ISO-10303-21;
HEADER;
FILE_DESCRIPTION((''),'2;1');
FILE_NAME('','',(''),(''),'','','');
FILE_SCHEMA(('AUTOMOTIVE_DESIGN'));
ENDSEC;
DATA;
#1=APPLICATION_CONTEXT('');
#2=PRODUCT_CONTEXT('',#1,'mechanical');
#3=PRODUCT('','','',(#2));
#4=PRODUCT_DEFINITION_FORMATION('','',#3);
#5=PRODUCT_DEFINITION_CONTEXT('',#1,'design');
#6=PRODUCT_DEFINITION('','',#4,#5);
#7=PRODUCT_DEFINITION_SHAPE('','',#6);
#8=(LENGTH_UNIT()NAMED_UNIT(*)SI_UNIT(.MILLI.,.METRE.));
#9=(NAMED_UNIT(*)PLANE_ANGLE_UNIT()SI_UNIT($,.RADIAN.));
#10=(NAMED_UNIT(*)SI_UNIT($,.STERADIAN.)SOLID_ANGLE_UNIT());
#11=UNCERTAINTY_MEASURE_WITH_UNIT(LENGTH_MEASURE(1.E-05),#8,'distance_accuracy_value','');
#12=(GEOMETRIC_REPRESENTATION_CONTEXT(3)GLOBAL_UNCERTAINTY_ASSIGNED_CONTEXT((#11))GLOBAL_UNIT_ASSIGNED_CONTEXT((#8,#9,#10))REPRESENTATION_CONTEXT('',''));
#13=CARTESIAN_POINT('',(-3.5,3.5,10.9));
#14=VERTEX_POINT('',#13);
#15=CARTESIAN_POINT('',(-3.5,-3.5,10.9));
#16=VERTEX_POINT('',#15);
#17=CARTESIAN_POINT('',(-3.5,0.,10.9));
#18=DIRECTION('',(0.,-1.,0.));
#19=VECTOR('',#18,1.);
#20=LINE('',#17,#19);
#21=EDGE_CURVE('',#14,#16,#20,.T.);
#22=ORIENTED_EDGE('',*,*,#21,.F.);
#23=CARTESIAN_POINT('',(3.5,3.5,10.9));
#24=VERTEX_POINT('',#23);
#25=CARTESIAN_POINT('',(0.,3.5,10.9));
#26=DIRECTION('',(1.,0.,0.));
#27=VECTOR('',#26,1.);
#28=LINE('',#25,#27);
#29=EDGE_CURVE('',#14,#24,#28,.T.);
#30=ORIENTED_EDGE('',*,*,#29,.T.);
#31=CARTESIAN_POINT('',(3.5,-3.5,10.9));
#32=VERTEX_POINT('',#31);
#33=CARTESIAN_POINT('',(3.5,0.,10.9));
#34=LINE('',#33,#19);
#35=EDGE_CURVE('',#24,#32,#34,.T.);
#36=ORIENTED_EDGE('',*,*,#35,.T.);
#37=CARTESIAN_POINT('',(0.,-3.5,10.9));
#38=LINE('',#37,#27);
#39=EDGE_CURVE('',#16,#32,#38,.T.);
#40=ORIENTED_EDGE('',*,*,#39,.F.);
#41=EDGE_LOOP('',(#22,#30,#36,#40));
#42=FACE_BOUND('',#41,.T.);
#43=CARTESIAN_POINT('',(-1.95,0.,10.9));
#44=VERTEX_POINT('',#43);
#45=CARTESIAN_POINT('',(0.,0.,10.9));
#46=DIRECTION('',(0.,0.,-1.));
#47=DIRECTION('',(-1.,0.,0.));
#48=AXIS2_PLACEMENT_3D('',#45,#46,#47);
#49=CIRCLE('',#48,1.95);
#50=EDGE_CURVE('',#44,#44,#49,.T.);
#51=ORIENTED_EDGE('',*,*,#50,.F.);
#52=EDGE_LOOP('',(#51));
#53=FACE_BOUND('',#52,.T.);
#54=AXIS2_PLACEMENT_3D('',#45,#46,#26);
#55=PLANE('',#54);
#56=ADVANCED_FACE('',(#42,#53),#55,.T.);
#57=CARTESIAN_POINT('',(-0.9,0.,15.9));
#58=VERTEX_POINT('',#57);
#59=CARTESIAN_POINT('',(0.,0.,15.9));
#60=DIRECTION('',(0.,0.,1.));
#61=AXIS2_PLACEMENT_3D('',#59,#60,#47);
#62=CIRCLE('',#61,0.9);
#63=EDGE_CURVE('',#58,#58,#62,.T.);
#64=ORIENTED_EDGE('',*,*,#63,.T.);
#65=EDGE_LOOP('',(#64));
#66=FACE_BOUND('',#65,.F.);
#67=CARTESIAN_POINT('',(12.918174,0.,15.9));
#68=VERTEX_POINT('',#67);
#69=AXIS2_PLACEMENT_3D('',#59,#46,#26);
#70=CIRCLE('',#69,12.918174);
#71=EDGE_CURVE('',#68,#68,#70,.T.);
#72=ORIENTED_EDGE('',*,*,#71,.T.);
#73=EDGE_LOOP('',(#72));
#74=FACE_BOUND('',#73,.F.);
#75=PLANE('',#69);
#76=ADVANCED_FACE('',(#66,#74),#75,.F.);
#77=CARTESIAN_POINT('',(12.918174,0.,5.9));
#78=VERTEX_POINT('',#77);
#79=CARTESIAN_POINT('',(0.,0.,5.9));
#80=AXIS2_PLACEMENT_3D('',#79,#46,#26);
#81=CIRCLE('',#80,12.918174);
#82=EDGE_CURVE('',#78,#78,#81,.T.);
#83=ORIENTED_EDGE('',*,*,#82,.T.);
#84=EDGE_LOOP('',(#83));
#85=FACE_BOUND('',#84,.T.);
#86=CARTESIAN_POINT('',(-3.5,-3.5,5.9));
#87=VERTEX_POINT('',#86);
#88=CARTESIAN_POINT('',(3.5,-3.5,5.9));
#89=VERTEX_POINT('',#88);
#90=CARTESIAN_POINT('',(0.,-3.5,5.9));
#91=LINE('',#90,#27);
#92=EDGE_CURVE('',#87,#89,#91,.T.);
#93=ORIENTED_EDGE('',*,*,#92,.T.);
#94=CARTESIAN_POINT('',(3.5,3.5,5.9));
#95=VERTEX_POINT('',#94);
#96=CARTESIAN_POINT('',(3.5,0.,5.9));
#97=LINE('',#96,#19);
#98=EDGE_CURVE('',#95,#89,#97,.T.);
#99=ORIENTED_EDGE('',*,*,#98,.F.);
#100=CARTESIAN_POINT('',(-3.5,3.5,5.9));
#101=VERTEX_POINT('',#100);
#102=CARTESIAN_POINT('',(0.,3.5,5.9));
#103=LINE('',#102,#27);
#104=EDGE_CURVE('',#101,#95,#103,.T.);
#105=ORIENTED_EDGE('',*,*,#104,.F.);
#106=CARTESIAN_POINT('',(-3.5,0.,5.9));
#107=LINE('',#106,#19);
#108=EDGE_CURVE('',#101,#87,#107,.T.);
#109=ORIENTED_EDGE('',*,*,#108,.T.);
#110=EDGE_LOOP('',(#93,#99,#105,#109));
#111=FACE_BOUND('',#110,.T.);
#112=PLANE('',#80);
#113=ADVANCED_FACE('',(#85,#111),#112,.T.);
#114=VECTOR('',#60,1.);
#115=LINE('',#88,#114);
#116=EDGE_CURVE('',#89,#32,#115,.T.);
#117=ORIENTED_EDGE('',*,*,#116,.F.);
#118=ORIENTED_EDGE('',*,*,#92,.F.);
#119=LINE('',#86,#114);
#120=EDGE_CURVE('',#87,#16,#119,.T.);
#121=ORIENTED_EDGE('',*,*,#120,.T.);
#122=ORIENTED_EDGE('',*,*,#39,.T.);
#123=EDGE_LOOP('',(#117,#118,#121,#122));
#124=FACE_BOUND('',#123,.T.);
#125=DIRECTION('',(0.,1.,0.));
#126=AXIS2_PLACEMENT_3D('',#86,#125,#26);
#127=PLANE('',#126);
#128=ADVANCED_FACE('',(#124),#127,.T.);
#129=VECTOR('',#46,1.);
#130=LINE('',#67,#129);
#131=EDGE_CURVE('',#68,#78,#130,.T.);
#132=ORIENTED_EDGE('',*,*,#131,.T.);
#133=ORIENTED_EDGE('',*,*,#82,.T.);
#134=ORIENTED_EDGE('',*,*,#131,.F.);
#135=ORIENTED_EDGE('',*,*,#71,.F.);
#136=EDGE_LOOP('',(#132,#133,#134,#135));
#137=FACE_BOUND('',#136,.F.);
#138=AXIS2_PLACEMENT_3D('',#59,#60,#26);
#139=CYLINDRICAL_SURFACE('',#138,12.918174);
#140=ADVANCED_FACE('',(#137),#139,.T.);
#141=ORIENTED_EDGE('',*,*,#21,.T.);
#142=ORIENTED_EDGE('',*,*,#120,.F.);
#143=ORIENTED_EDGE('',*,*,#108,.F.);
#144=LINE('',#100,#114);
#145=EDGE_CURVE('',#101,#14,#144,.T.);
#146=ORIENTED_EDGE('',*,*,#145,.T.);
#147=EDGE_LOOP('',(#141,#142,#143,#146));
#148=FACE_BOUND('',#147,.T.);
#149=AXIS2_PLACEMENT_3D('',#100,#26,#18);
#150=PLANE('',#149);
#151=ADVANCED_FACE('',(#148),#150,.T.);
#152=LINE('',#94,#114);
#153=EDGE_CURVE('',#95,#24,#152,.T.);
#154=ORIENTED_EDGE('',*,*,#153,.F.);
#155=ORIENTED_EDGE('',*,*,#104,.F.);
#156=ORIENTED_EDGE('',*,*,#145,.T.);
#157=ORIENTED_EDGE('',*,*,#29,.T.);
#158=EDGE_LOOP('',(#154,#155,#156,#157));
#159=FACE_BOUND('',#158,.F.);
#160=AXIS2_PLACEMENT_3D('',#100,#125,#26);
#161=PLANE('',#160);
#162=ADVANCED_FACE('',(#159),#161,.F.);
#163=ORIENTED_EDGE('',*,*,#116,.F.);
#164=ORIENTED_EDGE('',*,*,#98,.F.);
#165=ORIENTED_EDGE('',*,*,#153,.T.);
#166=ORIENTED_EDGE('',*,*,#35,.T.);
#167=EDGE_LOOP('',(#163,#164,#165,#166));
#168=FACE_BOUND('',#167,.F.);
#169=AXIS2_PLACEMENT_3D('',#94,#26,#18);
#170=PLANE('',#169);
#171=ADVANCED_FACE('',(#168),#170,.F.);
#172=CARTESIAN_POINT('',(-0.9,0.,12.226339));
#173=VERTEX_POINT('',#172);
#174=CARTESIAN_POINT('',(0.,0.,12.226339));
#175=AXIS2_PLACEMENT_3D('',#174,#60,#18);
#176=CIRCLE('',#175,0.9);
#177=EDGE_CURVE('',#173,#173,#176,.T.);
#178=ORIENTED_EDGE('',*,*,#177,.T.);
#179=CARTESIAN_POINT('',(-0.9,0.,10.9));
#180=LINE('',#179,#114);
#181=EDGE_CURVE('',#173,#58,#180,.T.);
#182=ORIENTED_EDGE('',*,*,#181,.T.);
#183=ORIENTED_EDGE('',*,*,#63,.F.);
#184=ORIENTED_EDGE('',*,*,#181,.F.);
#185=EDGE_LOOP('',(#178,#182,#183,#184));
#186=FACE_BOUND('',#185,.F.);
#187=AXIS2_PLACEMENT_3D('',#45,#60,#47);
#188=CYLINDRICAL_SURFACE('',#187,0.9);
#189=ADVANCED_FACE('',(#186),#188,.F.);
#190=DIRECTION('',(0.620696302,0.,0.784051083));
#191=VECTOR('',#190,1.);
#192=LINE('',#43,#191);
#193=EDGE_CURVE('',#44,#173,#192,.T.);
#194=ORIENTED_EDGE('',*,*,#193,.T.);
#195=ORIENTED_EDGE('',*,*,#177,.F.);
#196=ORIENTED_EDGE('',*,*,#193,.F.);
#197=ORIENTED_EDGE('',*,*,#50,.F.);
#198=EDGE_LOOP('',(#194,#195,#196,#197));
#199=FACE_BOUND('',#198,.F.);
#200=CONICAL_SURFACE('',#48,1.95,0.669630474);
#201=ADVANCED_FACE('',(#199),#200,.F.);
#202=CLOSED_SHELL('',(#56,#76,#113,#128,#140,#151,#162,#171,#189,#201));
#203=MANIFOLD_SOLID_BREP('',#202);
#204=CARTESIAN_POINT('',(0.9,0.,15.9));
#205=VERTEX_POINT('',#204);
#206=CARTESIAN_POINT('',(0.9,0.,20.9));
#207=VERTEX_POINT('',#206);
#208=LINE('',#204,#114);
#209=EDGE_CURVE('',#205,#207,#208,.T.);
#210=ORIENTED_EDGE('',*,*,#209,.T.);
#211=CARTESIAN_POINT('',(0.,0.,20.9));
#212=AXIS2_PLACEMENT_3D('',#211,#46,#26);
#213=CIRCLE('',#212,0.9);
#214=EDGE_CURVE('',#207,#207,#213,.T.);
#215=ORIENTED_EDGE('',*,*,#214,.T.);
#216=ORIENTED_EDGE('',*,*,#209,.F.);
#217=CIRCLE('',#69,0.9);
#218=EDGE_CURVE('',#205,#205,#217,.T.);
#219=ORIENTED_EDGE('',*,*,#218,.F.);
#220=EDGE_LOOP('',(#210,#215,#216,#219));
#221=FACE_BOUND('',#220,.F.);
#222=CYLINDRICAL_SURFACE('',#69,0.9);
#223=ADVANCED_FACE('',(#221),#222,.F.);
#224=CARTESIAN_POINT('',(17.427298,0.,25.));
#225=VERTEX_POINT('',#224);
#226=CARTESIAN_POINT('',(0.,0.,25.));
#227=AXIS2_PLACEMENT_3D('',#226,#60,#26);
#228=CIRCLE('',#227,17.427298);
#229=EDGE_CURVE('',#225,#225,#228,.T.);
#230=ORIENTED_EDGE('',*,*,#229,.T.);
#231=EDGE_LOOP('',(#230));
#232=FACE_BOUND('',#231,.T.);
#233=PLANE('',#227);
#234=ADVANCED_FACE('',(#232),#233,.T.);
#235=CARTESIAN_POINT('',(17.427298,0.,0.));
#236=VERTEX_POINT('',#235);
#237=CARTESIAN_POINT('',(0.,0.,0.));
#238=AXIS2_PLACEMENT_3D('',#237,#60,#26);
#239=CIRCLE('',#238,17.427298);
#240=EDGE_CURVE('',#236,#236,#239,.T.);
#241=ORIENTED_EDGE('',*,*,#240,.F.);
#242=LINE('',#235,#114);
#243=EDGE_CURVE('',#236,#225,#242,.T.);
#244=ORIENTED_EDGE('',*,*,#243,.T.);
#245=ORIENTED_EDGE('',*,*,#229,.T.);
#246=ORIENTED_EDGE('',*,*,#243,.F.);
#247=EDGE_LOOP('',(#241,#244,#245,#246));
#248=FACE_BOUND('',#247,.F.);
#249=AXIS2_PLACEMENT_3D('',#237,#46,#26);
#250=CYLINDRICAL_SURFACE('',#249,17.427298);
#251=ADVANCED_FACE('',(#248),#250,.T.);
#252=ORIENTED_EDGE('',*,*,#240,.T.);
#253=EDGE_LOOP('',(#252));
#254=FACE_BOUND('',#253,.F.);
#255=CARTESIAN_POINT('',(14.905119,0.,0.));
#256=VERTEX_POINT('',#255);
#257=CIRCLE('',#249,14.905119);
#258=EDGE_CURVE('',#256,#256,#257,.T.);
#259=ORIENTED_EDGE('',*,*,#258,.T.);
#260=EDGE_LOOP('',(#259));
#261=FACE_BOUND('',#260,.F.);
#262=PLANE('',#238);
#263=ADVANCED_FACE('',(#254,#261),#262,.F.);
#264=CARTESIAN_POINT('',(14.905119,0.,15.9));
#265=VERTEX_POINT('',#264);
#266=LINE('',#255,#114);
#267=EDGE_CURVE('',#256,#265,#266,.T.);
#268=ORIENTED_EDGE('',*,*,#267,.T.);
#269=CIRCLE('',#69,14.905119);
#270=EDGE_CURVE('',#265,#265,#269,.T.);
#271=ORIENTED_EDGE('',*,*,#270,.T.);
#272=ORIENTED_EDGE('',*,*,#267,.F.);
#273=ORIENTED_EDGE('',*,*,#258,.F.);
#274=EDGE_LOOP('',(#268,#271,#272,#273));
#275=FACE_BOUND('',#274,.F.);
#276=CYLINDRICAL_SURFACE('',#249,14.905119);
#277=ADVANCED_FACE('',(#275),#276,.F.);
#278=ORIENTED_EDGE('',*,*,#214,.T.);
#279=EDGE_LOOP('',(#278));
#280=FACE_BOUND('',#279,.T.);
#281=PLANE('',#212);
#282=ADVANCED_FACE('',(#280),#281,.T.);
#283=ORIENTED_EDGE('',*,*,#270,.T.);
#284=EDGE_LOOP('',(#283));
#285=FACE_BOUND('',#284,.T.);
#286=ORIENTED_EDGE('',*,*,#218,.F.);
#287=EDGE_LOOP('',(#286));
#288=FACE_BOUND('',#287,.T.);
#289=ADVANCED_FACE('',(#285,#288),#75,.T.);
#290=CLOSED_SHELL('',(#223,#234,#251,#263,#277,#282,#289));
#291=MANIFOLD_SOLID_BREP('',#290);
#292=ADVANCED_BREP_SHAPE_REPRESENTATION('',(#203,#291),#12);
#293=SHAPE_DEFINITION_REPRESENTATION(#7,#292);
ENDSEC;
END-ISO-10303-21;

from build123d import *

# Parameters (mm, degrees)
F0_R            = 17.4272984751
F1_DEPTH        = 25
F2_R            = 14.9051186422
F3_DEPTH        = 15.9
F4_R            = 0.9
F5_DEPTH        = 5
F6_R            = 12.9181741615
F7_DEPTH        = 10
F9_W            = 7
F9_H            = 7
F10_DEPTH       = 5
F11_D           = 1.8
F11_DEPTH       = 5
F11_START       = 5
F11_CSINK_D     = 3.9
F11_CSINK_ANGLE = 76.734
F11_TIP         = 0.5407745571


with BuildPart() as f1:
    # F0 (on Top) → F1 (new body)
    with BuildSketch(Plane.XY):
        Circle(F0_R)
    extrude(amount=F1_DEPTH)

    # F2 (on face) → F3 (cut)
    with BuildSketch(Plane(origin=(0, 0, 0), x_dir=(1, 0, 0), z_dir=(0, 0, -1))):
        Circle(F2_R)
    extrude(amount=-F3_DEPTH, mode=Mode.SUBTRACT)

    # F4 (on face) → F5 (cut)
    with BuildSketch(Plane(origin=(0, 0, 15.9), x_dir=(1, 0, 0), z_dir=(0, 0, -1))):
        Circle(F4_R)
    extrude(amount=-F5_DEPTH, mode=Mode.SUBTRACT)


with BuildPart() as f7:
    # F6 (on face) → F7 (new body)
    with BuildSketch(Plane(origin=(0, 0, 15.9), x_dir=(1, 0, 0), z_dir=(0, 0, -1))):
        Circle(F6_R)
    extrude(amount=F7_DEPTH)

    # F9 (on face) → F10 (cut)
    with BuildSketch(Plane(origin=(0, 0, 5.9), x_dir=(1, 0, 0), z_dir=(0, 0, -1))):
        Rectangle(F9_W, F9_H)
    extrude(amount=-F10_DEPTH, mode=Mode.SUBTRACT)

    # F11
    # its depths count from where the whole tool has entered the part; down to there all is cleared
    with Locations(Plane(origin=(0, 0, 5.9), x_dir=(1, 0, 0), z_dir=(0, 0, -1)).offset(-F11_START)):
        with Locations((0, 0)):
            CounterSinkHole(F11_D / 2, F11_CSINK_D / 2, depth=F11_DEPTH, counter_sink_angle=F11_CSINK_ANGLE)
            with Locations((0, 0, -(F11_DEPTH + F11_TIP / 2))):  # 118° drill point
                Cone(0, F11_D / 2, F11_TIP, mode=Mode.SUBTRACT)


solid = Compound([f1.part, f7.part])
